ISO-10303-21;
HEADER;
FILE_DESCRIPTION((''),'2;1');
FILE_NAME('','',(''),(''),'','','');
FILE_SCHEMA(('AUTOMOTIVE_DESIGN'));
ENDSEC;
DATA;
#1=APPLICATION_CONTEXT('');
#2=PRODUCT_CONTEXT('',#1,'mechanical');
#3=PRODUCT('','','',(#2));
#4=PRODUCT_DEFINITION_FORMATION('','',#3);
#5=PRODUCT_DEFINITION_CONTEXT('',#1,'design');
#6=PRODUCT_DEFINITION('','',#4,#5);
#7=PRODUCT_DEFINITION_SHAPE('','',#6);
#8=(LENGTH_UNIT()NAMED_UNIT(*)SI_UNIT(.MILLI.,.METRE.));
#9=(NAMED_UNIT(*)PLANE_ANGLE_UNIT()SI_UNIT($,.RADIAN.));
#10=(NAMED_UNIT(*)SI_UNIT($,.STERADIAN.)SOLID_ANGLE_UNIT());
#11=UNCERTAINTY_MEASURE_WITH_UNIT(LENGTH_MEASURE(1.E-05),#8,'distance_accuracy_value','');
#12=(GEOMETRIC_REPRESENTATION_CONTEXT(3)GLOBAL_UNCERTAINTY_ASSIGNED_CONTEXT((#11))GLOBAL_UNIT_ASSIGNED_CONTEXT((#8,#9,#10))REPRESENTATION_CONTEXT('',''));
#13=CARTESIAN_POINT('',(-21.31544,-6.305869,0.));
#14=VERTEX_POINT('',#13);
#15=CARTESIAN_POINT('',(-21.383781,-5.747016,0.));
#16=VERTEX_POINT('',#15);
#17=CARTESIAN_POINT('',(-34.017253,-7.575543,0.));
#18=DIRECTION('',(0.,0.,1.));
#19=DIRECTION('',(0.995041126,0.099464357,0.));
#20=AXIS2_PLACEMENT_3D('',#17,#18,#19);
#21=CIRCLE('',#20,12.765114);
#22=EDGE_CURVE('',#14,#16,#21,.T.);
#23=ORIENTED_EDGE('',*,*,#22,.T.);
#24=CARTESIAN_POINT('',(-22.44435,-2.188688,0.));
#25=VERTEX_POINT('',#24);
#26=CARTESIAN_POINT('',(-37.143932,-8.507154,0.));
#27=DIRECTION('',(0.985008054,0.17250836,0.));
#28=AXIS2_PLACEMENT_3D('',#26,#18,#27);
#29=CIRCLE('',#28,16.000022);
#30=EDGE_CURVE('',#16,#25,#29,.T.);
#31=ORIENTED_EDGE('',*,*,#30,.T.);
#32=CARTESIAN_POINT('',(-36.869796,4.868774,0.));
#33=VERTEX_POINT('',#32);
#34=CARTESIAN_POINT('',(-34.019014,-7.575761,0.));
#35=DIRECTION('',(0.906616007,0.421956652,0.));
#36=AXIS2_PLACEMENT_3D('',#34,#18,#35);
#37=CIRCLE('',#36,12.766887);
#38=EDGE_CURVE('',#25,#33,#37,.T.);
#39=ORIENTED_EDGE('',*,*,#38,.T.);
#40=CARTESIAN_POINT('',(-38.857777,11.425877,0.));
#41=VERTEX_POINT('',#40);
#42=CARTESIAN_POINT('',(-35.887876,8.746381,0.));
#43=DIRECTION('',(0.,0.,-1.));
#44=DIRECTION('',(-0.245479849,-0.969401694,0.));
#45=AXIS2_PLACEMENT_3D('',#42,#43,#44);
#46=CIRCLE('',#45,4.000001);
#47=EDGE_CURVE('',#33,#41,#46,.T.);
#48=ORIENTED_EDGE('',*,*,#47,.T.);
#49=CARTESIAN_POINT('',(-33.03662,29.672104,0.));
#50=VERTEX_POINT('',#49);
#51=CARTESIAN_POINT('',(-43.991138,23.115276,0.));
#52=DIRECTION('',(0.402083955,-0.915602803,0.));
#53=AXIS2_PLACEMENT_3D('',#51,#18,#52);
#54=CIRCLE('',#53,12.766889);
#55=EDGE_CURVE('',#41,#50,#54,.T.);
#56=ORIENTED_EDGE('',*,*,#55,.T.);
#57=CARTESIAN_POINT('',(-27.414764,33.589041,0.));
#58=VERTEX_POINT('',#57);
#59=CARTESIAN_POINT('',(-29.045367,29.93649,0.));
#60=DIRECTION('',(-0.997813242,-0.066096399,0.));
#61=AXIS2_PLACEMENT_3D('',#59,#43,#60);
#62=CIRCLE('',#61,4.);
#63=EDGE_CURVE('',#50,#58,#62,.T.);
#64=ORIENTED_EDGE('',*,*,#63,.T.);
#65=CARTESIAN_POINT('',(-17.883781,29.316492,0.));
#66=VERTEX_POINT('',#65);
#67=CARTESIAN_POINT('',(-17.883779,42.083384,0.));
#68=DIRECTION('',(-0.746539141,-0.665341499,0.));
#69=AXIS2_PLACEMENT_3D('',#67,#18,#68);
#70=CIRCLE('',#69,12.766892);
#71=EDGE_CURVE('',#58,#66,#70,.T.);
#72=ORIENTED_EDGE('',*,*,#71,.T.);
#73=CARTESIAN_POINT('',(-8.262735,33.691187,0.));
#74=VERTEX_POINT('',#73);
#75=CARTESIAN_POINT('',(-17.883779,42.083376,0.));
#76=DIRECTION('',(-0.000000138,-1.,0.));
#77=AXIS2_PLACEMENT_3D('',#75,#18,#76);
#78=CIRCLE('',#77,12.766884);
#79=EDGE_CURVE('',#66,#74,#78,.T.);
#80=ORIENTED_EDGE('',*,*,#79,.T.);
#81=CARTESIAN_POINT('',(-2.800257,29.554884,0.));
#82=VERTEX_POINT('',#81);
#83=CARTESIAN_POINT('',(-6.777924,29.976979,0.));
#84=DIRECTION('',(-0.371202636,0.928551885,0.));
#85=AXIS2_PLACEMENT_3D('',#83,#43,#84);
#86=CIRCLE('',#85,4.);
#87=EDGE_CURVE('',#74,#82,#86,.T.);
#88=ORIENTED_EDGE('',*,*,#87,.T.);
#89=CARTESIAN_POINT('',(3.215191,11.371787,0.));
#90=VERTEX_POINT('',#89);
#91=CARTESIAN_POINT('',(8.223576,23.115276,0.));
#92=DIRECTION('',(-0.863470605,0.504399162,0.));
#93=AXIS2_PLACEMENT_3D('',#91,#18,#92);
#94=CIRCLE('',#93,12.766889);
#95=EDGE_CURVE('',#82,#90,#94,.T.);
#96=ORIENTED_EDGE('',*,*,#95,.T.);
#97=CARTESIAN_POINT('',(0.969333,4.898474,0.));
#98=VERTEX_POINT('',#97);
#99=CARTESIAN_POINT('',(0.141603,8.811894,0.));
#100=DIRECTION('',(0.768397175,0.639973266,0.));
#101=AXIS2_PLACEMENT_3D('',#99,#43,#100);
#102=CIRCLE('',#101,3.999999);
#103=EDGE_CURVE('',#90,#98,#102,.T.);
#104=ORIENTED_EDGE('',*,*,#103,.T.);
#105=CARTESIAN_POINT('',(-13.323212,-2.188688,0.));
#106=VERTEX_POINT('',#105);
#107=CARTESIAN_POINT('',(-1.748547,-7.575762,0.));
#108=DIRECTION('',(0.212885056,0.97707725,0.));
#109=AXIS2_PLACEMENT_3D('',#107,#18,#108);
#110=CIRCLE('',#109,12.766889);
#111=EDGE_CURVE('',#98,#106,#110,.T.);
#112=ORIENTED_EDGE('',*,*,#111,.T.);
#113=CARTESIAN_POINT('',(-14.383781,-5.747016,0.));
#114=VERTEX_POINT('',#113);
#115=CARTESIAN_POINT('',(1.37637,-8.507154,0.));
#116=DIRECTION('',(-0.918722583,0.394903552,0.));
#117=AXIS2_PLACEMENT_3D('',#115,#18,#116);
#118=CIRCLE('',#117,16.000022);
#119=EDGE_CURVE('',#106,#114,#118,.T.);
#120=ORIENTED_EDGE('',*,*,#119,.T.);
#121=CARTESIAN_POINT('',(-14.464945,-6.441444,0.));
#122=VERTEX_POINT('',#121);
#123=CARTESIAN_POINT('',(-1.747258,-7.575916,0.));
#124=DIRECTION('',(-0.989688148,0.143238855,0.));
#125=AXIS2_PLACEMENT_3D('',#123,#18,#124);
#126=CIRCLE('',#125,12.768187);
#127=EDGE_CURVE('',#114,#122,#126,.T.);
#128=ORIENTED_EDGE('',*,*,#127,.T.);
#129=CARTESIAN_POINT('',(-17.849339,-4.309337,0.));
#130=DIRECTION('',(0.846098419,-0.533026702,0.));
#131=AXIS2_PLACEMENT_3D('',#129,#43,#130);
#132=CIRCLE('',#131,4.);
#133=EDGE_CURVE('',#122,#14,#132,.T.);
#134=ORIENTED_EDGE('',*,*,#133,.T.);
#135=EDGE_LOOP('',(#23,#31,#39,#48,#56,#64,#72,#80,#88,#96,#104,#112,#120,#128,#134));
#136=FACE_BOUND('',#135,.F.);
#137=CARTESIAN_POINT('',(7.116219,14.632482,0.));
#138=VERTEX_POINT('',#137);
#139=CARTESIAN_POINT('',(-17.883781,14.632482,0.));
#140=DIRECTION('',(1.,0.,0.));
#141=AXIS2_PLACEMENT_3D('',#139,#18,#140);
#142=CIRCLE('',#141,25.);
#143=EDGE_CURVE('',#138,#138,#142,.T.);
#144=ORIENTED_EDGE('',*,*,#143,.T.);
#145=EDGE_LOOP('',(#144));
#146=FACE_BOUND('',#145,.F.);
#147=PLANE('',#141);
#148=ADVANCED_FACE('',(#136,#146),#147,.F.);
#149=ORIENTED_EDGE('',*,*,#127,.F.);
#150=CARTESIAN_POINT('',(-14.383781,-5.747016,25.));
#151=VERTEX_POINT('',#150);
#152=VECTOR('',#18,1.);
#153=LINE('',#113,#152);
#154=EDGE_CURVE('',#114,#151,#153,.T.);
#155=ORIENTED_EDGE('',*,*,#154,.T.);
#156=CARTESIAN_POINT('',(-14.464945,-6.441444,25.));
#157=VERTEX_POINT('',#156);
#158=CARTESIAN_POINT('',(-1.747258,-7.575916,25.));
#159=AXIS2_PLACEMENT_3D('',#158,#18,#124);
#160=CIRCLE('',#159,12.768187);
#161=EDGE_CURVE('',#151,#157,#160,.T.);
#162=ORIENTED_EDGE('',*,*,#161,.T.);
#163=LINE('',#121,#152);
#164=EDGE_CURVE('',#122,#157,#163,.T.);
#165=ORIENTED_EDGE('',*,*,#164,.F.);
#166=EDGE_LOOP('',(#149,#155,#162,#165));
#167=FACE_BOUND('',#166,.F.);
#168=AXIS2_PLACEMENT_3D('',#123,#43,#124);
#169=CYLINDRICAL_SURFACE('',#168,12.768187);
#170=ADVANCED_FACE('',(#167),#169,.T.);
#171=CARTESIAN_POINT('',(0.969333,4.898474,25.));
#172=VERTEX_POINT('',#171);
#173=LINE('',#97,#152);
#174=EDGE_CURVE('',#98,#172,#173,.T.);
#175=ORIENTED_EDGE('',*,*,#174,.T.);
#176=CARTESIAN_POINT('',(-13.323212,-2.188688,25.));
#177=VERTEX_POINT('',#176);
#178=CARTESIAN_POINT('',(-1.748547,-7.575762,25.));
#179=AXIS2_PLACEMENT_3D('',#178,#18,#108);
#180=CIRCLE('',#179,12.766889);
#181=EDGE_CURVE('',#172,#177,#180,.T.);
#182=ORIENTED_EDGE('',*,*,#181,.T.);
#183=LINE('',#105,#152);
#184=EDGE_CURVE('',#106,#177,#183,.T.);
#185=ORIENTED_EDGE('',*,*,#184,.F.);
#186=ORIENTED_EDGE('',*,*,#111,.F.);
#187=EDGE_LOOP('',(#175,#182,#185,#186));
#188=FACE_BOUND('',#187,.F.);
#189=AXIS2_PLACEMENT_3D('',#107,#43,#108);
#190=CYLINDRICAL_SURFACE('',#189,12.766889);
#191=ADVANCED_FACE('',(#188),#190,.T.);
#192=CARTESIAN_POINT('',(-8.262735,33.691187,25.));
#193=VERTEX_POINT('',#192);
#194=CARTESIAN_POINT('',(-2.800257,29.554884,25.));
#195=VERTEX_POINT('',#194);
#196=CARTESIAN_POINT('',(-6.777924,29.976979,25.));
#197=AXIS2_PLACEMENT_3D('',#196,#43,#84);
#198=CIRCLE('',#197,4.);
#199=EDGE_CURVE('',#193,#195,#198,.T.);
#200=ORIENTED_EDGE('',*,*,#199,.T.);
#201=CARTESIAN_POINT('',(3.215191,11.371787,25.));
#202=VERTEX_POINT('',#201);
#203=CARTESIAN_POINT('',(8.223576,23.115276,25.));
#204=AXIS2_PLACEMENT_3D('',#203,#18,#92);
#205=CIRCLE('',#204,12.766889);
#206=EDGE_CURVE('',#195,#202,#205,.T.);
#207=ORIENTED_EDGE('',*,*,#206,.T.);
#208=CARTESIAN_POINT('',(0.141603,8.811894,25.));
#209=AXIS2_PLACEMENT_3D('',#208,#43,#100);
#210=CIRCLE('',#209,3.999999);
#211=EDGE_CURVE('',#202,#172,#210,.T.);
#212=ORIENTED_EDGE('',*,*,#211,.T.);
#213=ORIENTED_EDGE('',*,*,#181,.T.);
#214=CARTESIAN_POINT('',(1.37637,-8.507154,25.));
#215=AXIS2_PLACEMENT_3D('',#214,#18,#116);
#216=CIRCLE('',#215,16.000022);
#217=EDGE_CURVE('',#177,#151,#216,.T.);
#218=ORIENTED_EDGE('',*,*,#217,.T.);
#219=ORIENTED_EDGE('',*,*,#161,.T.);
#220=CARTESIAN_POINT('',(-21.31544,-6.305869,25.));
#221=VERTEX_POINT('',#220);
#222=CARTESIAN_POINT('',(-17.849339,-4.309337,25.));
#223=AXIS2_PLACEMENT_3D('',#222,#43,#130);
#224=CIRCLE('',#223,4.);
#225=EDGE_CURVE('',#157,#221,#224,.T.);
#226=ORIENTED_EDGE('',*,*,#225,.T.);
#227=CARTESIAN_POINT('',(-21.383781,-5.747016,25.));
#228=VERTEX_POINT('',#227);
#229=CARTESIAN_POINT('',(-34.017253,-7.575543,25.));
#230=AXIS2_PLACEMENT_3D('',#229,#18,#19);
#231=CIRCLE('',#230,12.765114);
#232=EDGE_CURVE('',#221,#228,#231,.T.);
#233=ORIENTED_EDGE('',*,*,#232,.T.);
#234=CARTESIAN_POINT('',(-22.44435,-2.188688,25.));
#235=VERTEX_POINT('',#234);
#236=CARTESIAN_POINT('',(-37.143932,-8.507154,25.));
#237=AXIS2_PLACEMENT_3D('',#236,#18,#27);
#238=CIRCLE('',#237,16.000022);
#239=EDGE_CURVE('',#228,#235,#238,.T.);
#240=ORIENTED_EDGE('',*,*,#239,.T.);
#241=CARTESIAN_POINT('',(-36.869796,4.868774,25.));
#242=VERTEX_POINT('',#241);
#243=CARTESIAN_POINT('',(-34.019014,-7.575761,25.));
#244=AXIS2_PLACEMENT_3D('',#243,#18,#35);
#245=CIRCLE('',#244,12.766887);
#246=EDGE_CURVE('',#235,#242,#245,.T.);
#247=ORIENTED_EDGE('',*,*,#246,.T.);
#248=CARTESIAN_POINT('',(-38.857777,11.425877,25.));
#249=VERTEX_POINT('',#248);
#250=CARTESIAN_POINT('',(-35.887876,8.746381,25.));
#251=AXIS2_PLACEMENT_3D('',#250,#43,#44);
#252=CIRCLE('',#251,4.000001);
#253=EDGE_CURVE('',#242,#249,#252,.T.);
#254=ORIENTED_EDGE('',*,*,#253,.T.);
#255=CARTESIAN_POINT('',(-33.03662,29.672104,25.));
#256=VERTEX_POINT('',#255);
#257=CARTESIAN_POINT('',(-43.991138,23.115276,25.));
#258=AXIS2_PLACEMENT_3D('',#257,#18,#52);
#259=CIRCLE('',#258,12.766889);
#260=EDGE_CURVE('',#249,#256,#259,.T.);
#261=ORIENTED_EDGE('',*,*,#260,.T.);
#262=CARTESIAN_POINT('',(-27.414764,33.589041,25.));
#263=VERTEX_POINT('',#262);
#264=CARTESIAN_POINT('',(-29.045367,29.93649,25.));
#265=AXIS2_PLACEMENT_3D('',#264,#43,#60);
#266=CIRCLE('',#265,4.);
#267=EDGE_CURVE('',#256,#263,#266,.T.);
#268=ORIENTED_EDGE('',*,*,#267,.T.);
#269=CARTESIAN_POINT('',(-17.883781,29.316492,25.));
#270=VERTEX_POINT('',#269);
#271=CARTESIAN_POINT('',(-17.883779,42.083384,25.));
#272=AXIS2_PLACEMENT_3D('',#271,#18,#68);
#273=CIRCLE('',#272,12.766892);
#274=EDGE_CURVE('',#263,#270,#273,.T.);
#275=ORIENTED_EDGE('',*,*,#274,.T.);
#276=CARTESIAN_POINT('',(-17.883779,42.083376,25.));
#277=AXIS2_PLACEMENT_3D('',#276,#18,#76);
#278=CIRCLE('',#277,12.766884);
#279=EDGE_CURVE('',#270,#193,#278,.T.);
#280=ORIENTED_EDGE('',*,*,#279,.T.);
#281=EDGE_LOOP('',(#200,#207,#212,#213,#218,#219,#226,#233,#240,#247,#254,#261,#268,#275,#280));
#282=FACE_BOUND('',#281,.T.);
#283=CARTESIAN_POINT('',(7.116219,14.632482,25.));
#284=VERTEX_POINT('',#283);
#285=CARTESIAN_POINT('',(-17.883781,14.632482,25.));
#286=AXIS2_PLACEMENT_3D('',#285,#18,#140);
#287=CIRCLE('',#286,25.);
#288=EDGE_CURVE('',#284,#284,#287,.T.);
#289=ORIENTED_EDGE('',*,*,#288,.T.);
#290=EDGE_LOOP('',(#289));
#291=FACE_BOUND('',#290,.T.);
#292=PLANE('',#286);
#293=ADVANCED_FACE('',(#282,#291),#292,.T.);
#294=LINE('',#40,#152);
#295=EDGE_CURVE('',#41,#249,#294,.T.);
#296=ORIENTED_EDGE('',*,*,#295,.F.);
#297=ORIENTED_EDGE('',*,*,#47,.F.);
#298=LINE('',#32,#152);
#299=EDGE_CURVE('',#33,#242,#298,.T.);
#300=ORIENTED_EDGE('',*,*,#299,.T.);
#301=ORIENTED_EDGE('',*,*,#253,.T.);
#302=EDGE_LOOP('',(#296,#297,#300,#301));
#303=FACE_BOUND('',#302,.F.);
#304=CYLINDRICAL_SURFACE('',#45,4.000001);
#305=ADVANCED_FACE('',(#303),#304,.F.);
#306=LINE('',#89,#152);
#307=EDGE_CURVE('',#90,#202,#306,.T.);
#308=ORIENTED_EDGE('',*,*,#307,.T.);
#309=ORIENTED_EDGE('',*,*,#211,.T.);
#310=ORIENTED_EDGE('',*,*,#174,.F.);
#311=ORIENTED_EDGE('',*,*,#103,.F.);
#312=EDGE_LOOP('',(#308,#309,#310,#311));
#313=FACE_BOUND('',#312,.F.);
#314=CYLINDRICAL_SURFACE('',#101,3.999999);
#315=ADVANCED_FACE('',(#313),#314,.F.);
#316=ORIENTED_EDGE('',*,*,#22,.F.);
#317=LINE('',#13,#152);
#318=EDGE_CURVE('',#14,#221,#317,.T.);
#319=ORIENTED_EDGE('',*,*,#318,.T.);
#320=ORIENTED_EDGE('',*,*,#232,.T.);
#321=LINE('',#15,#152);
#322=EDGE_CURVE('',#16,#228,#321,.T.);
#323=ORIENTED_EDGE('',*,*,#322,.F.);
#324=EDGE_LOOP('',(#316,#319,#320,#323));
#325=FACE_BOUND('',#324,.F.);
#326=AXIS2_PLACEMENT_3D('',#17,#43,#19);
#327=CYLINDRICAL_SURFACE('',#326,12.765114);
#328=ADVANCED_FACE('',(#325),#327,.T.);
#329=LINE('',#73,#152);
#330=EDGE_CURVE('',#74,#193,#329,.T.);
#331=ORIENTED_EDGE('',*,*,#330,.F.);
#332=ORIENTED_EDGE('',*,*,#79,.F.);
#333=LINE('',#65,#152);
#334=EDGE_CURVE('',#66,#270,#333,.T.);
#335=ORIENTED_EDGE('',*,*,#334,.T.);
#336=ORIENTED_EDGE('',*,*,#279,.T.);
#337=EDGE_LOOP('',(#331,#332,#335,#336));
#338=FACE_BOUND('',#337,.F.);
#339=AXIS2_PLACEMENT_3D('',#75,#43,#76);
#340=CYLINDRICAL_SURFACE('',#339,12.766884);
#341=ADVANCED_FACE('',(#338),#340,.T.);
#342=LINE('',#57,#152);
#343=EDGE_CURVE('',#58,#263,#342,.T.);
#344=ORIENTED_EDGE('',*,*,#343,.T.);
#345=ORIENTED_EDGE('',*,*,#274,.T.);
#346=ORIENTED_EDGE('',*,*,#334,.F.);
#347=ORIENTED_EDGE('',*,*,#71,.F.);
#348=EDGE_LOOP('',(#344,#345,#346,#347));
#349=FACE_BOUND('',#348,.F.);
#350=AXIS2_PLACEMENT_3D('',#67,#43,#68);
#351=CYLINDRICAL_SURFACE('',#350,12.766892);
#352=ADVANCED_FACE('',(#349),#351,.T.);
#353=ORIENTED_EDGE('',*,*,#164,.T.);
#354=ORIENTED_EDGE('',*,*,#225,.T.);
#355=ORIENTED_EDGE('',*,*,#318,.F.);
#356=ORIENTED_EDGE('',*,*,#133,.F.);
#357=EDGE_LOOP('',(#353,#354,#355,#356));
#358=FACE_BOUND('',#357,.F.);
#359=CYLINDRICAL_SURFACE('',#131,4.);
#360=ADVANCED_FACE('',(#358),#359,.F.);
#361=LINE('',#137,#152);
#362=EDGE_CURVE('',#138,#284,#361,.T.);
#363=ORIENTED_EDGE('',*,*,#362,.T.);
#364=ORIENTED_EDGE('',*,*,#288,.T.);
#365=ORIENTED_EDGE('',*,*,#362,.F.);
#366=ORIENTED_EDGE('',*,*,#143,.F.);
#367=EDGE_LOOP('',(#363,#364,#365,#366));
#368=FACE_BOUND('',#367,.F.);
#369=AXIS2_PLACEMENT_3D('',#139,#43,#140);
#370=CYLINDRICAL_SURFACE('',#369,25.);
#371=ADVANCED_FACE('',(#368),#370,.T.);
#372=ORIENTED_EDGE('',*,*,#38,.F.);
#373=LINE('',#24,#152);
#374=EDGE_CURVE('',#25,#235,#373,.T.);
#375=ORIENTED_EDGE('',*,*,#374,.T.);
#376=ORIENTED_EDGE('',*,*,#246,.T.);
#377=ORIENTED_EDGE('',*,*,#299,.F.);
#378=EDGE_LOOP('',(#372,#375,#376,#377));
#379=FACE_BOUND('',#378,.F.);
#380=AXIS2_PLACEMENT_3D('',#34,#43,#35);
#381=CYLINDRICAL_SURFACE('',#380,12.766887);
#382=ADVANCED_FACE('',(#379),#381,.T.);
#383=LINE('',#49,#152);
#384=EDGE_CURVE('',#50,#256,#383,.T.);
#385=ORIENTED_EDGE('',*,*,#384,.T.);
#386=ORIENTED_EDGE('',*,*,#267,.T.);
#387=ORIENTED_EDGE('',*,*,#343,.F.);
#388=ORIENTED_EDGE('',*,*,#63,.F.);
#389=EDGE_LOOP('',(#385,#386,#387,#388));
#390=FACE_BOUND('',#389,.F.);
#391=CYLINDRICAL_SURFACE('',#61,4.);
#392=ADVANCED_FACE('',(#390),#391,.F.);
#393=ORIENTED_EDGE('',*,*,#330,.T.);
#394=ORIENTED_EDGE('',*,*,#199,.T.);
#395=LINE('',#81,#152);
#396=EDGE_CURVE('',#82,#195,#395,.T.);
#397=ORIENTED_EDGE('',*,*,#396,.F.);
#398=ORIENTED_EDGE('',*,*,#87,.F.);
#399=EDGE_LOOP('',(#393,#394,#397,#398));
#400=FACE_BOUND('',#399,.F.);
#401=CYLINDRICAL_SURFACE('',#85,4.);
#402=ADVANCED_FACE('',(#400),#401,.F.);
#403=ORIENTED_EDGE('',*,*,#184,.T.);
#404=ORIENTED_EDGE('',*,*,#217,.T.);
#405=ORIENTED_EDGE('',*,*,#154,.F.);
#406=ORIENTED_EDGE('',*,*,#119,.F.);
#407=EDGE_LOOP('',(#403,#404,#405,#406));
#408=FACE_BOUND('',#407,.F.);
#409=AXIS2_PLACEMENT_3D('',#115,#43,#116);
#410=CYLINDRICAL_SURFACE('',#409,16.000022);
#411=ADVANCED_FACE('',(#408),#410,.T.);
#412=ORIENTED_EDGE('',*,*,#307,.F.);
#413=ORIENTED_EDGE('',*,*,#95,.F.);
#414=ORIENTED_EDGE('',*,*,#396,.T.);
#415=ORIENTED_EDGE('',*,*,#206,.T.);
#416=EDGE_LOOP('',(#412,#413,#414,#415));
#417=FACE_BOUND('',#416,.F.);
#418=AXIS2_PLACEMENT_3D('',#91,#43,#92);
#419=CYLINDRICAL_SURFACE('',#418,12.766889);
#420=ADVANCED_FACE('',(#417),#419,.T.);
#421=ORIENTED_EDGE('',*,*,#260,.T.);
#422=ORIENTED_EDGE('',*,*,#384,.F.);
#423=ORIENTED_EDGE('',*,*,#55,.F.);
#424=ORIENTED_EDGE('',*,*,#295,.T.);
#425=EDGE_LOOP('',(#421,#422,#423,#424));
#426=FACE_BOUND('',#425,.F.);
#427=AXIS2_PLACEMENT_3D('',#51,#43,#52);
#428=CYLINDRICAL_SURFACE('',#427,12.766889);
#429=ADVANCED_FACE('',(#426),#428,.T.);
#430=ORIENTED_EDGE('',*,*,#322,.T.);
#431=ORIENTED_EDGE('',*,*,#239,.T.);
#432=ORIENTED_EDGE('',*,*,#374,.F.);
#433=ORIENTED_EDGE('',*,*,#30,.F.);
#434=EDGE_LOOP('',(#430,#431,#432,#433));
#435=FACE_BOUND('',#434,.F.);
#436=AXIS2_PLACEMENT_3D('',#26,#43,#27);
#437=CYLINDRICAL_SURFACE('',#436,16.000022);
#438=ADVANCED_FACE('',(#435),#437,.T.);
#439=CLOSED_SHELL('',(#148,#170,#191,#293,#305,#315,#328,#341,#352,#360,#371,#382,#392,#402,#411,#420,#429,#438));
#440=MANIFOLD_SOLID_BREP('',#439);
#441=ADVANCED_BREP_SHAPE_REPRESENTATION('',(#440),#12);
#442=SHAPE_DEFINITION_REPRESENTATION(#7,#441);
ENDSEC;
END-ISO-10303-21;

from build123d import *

# Parameters (mm, degrees)
F0_R     = 25
F1_DEPTH = 25


with BuildPart() as f1:
    # F0 (on Top) → F1 (new body)
    with BuildSketch(Plane.XY):
        with Locations((-17.883781, 14.632482)):
            Circle(F0_R)
        with BuildLine():
            ThreePointArc((-27.414764, 33.589041), (-23.106192, 30.433494), (-17.883781, 29.316492))
            ThreePointArc((-17.883781, 29.316492), (-12.599311, 30.461512), (-8.262735, 33.691187))
            ThreePointArc((-8.262735, 33.691187), (-4.363213, 33.165893), (-2.800257, 29.554884))
            ThreePointArc((-2.800257, 29.554884), (-3.897243, 19.105389), (3.215191, 11.371787))
            ThreePointArc((3.215191, 11.371787), (3.920626, 7.500796), (0.969333, 4.898474))
            ThreePointArc((0.969333, 4.898474), (-7.420198, 3.862149), (-13.323212, -2.188688))
            ThreePointArc((-13.323212, -2.188688), (-13.957066, -3.936983), (-14.383781, -5.747016))
            ThreePointArc((-14.383781, -5.747016), (-14.429117, -6.093674), (-14.464945, -6.441444))
            ThreePointArc((-14.464945, -6.441444), (-17.928485, -8.308554), (-21.31544, -6.305869))
            ThreePointArc((-21.31544, -6.305869), (-21.346529, -6.026066), (-21.383781, -5.747016))
            ThreePointArc((-21.383781, -5.747016), (-21.810496, -3.936983), (-22.44435, -2.188688))
            ThreePointArc((-22.44435, -2.188688), (-28.408446, 3.892235), (-36.869796, 4.868774))
            ThreePointArc((-36.869796, 4.868774), (-39.715816, 7.585828), (-38.857777, 11.425877))
            ThreePointArc((-38.857777, 11.425877), (-31.828237, 19.234904), (-33.03662, 29.672104))
            ThreePointArc((-33.03662, 29.672104), (-31.332017, 33.218445), (-27.414764, 33.589041))
        make_face(mode=Mode.SUBTRACT)
    extrude(amount=F1_DEPTH)


solid = f1.part
